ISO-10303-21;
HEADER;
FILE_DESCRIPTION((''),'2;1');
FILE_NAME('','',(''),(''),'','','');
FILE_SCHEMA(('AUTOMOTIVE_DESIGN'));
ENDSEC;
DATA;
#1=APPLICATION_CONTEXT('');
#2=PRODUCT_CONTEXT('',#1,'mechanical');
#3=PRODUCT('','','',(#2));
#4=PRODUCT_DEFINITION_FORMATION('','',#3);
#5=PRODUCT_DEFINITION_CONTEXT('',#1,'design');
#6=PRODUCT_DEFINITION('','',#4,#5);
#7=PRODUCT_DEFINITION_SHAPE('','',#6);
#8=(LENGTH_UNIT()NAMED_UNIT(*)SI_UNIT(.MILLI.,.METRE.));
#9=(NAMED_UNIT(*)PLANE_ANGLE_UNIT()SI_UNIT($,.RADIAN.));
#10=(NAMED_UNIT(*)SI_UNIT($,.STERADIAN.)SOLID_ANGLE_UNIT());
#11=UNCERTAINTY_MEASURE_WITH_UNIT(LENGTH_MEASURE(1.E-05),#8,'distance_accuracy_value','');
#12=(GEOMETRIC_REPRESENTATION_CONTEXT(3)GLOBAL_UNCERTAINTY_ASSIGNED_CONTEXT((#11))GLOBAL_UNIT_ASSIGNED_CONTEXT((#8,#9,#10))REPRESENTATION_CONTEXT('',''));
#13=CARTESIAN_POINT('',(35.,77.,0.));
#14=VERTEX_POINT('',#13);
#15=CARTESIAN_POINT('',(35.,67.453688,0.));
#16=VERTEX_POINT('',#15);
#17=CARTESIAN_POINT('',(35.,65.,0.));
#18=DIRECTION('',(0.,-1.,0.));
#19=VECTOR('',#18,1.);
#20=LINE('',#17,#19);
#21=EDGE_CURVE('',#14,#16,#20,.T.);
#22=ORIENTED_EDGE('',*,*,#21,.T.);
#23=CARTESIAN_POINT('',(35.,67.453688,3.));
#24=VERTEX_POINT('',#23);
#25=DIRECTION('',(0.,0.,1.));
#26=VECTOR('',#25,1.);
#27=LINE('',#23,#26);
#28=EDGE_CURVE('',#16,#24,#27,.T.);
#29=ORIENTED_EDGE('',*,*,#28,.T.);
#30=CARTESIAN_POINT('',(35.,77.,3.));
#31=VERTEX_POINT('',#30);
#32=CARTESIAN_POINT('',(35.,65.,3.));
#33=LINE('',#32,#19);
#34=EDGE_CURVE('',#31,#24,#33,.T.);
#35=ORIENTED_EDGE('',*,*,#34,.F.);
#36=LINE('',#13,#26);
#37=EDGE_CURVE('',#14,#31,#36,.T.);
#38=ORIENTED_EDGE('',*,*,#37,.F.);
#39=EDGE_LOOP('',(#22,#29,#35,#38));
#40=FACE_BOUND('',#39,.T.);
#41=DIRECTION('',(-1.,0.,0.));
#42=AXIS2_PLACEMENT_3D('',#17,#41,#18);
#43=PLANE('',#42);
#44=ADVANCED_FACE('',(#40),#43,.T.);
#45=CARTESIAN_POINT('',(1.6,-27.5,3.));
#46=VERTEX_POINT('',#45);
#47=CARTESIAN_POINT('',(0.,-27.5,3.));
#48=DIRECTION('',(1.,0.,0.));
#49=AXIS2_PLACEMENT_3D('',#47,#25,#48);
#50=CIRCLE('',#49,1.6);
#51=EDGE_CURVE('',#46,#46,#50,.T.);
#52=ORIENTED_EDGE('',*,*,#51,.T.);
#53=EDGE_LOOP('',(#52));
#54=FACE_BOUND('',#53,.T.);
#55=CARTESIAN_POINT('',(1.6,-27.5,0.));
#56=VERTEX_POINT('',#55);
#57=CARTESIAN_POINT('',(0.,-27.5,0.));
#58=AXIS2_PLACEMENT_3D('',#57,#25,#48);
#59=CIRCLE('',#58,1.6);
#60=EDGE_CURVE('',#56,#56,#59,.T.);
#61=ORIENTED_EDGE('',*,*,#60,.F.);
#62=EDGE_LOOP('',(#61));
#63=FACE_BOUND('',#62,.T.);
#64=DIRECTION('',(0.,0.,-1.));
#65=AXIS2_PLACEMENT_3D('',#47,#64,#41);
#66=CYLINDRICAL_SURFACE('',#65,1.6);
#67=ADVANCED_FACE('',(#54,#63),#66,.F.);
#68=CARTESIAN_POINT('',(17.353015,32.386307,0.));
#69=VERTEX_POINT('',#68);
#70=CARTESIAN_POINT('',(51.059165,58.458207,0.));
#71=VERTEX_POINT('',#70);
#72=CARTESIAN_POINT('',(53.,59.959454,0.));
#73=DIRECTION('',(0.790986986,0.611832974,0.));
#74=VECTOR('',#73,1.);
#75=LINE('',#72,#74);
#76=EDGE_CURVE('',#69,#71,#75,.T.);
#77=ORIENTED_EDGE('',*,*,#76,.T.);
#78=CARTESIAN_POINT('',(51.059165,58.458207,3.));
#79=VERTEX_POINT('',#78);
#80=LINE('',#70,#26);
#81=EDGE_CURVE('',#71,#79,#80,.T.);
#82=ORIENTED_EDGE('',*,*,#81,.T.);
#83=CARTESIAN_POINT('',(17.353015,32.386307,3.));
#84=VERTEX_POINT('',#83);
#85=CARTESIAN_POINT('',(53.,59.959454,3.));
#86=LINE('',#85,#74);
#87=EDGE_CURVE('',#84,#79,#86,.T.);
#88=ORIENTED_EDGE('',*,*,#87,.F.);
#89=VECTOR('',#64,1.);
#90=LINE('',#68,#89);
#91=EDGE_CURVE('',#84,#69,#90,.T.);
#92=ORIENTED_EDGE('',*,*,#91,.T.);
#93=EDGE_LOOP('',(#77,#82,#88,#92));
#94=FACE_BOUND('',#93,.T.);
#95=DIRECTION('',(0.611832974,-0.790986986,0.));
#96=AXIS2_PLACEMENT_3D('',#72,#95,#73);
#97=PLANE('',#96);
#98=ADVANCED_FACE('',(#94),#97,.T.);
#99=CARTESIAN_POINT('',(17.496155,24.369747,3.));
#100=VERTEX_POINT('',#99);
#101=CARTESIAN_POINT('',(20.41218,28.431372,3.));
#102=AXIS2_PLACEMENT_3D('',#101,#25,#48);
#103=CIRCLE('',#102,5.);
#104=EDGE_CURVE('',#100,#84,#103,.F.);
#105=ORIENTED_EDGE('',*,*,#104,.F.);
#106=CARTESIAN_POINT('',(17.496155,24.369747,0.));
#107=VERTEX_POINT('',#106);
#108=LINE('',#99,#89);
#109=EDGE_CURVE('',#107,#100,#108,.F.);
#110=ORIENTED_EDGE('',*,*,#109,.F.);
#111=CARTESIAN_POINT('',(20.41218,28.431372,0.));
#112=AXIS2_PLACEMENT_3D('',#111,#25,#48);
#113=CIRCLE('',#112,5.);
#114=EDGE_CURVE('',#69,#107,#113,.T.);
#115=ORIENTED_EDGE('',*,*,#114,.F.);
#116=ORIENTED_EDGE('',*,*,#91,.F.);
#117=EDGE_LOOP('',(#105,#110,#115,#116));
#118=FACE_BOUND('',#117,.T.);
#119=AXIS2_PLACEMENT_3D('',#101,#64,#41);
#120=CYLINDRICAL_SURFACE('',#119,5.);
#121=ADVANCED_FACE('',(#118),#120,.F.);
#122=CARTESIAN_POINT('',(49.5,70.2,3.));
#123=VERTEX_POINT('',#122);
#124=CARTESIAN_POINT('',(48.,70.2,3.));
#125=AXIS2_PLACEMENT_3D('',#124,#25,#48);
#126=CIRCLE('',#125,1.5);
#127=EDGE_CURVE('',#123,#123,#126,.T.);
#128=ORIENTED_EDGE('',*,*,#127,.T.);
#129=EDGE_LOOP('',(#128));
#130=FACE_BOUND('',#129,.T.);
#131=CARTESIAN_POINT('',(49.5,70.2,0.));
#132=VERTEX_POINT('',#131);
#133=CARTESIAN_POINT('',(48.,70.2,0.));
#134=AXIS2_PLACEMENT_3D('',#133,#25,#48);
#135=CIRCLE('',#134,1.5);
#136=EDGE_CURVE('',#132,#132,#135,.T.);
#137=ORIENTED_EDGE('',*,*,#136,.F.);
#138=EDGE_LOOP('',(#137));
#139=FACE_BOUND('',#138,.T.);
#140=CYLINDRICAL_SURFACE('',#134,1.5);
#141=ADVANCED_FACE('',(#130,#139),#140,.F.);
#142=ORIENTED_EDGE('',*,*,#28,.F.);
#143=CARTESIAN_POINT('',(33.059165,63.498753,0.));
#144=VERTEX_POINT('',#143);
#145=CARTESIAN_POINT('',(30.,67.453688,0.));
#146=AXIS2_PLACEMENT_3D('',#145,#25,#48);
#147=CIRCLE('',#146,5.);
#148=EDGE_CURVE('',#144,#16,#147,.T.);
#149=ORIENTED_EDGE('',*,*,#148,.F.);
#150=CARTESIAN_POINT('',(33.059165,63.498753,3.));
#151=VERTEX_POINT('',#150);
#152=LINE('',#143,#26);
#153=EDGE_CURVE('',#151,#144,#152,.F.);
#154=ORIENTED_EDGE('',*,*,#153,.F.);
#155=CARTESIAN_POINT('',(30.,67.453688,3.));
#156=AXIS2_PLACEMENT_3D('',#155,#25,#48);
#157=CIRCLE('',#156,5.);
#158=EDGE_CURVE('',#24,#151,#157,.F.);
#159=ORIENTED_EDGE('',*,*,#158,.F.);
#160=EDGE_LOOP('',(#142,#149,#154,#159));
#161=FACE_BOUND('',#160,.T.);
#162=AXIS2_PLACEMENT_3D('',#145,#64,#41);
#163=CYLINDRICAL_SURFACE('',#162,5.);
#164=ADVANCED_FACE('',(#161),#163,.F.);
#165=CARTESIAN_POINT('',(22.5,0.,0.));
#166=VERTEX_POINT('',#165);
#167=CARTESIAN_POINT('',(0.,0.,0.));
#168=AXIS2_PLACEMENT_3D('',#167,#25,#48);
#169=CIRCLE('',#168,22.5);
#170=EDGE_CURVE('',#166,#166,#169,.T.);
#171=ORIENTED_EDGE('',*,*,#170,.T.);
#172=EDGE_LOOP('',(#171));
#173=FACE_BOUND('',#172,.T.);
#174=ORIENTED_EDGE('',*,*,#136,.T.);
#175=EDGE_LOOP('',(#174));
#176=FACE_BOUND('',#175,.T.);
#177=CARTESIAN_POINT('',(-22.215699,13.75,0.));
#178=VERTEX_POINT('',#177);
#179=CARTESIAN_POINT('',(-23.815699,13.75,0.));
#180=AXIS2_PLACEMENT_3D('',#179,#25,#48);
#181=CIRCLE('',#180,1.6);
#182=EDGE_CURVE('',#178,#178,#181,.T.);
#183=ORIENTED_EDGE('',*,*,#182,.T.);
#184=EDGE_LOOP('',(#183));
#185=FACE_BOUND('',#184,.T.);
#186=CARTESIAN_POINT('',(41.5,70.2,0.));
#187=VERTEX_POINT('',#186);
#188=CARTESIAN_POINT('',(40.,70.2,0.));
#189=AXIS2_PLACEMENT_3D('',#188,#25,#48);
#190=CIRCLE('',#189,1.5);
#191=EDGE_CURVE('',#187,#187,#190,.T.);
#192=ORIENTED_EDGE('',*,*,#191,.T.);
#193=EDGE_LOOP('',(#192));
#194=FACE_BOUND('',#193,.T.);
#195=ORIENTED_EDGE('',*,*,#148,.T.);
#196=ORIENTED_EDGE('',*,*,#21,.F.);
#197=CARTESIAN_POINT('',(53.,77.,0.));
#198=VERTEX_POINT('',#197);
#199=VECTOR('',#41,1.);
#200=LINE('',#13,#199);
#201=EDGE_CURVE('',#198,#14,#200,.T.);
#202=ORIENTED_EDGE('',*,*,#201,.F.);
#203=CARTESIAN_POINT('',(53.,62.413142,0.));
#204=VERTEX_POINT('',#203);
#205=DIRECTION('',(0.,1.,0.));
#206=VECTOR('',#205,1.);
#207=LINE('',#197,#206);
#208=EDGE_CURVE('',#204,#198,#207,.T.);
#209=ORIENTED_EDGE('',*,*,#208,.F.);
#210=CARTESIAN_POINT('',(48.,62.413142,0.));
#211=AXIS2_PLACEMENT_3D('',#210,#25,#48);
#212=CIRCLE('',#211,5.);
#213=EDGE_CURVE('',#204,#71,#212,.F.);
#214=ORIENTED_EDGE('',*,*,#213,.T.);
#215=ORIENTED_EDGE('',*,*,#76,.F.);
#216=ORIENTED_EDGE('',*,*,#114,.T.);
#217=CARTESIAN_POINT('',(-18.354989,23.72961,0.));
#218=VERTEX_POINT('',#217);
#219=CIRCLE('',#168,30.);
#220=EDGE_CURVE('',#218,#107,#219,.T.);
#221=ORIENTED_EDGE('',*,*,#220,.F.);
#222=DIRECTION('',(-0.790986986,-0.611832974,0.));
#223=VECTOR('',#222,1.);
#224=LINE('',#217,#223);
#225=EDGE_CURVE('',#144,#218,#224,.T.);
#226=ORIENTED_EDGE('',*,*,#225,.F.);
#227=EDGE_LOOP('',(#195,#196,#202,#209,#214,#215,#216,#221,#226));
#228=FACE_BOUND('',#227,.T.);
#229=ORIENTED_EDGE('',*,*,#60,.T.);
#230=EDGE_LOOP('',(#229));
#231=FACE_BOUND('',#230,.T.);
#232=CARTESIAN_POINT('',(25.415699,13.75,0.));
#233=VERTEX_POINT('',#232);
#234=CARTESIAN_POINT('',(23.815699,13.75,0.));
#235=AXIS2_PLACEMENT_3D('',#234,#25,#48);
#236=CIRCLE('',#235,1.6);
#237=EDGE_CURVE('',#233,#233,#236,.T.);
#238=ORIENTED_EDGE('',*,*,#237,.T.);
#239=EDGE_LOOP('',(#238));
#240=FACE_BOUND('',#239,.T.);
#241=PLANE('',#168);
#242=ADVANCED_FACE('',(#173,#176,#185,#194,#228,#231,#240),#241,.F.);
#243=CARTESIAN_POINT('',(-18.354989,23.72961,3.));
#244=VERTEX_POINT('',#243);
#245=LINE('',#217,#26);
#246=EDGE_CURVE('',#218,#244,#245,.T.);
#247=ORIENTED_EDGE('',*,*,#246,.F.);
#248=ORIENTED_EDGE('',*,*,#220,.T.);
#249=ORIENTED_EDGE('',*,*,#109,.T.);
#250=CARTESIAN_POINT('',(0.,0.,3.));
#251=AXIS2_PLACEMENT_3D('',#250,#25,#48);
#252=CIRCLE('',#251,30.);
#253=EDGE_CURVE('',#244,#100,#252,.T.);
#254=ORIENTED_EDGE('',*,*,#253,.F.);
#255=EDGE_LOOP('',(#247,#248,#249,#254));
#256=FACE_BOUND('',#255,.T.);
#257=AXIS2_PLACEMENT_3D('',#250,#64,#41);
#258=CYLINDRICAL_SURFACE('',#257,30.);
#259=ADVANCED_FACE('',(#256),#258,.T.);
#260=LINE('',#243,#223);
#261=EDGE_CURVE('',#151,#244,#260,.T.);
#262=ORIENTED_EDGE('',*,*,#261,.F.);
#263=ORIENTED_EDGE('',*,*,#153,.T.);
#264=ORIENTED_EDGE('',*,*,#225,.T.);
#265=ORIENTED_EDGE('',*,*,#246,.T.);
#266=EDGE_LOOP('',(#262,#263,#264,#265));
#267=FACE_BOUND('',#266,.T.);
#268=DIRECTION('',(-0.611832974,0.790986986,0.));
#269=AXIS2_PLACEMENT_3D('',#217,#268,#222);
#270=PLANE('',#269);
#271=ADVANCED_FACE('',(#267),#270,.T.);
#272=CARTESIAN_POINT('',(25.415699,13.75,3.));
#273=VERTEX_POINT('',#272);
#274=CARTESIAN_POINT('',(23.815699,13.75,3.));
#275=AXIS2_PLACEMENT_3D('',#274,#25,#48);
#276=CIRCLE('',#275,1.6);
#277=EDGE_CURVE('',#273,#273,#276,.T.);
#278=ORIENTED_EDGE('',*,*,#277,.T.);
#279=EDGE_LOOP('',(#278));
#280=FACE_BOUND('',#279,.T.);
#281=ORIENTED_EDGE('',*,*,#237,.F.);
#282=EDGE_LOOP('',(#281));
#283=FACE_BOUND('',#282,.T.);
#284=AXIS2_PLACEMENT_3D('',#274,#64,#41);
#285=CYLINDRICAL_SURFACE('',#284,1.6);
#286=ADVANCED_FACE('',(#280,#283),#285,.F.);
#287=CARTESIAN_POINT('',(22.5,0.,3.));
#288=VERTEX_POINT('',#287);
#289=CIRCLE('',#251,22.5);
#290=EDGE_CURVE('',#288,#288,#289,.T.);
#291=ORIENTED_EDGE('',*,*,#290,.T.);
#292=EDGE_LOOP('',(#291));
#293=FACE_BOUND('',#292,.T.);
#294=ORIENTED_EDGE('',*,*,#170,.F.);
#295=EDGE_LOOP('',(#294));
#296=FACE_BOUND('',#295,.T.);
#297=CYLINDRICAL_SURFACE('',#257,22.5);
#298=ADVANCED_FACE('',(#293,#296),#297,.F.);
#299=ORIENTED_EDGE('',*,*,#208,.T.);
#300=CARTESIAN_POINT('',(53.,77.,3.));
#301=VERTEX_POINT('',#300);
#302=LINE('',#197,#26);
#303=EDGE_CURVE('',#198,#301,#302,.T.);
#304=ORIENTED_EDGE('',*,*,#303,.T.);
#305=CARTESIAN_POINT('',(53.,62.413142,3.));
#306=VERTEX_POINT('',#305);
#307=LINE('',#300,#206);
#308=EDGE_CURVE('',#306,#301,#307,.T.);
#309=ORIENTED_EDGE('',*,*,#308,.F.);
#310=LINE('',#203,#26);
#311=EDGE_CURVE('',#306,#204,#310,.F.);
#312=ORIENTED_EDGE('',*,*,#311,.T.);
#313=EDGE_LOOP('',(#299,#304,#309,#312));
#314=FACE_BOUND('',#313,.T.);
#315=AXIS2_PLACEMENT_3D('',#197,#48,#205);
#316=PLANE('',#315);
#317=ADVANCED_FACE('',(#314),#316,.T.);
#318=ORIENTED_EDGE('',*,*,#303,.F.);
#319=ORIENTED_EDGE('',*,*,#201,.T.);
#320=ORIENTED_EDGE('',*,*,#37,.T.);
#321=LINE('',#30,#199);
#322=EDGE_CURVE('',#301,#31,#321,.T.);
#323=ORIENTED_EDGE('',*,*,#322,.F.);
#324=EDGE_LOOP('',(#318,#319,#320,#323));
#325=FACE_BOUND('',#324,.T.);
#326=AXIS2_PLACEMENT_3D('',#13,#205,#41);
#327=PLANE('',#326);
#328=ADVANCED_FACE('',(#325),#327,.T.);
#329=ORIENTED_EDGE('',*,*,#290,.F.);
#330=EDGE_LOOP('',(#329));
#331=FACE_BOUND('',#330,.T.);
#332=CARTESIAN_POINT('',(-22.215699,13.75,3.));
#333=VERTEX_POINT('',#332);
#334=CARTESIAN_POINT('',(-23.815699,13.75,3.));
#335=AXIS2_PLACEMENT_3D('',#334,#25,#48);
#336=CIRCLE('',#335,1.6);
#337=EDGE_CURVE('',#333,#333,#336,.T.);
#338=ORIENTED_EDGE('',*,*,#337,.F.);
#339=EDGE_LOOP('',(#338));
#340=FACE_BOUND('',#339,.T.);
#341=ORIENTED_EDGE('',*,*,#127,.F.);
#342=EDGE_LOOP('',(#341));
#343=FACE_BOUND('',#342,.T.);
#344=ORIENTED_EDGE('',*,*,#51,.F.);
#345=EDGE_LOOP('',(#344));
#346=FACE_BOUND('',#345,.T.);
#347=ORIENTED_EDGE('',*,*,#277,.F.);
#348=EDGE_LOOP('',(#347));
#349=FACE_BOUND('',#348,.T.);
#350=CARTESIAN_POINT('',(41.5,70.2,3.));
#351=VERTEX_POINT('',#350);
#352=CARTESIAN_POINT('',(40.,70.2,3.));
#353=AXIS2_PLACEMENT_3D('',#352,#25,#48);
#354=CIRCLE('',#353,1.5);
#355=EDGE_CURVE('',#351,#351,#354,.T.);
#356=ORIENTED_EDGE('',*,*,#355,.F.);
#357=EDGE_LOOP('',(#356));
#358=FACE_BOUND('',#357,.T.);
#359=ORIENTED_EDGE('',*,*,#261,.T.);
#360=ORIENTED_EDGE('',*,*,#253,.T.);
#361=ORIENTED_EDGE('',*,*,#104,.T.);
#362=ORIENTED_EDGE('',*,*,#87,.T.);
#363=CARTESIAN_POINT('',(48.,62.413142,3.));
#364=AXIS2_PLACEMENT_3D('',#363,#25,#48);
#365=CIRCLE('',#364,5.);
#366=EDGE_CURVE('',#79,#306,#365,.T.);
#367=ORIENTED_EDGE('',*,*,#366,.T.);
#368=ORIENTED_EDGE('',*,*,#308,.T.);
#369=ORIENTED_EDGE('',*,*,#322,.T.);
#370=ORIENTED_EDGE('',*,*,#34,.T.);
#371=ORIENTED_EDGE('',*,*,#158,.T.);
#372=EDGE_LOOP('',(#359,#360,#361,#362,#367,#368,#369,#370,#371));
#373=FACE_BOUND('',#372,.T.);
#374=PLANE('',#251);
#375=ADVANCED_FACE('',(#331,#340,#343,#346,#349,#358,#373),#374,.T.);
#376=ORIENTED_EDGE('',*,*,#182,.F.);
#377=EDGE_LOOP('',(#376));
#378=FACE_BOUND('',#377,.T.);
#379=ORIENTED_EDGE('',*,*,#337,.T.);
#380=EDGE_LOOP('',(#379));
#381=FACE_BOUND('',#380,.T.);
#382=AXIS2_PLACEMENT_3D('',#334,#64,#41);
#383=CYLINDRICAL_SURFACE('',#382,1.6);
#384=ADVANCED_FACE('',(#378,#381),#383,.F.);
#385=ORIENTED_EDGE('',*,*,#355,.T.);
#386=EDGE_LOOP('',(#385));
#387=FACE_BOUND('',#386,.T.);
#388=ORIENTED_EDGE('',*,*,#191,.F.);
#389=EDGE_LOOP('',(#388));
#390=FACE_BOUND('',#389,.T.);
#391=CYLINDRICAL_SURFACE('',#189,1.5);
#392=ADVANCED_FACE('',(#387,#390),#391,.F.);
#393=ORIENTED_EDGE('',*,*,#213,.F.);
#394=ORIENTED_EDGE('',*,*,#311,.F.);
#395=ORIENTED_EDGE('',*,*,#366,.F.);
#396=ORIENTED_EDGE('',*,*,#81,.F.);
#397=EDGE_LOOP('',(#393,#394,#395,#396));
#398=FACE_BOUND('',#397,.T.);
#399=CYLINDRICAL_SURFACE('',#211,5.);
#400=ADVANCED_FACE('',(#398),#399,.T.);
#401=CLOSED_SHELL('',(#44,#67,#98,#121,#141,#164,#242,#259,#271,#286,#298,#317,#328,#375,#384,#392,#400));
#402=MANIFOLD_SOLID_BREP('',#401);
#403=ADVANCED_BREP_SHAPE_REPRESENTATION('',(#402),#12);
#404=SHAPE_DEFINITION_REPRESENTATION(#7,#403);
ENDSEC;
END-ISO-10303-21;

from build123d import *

# Parameters (mm, degrees)
SKETCH_1_R      = 30
SKETCH_1_R_2    = 22.5
SKETCH_1_R_3    = 1.6
EXTRUDE_1_DEPTH = 3
SKETCH_4_R      = 1.5
EXTRUDE_3_DEPTH = 3
FILLET_1_R      = 5
FILLET_2_R      = 5


with BuildPart() as part:
    # 草图1 → 凸台-拉伸1 (new body)
    with BuildSketch(Plane.XY):
        Circle(SKETCH_1_R)
        Circle(SKETCH_1_R_2, mode=Mode.SUBTRACT)
        with Locations((23.815698604, 13.75)):
            Circle(SKETCH_1_R_3, mode=Mode.SUBTRACT)
        with Locations((0, -27.5)):
            Circle(SKETCH_1_R_3, mode=Mode.SUBTRACT)
        with Locations((-23.815698604, 13.75)):
            Circle(SKETCH_1_R_3, mode=Mode.SUBTRACT)
    extrude(amount=EXTRUDE_1_DEPTH)

    # 草图4 → 凸台-拉伸3 (add)
    with BuildSketch(Plane.XY.offset(3)):
        with BuildLine():
            Line((-18.354989219, 23.729609579), (35, 65))
            Line((35, 65), (35, 77))
            Line((35, 77), (53, 77))
            Line((53, 77), (53, 59.959453772))
            Line((53, 59.959453772), (11.372950108, 27.760691739))
            Line((11.372950108, 27.760691739), (1.135189229, 26.37246046))
            ThreePointArc((1.135189229, 26.37246046), (-0.214991049, 29.085490097), (-0.793931536, 26.110873398))
            Line((-0.793931536, 26.110873398), (-18.354989219, 23.729609579))
        make_face()
        with Locations((40, 70.2)):
            Circle(SKETCH_4_R, mode=Mode.SUBTRACT)
        with Locations((48, 70.2)):
            Circle(SKETCH_4_R, mode=Mode.SUBTRACT)
    extrude(amount=-EXTRUDE_3_DEPTH)

    # 圆角1
    fillet_1_edges = [part.edges().sort_by_distance(p)[0] for p in [
        (11.372950108, 27.760691739, 1.5),
    ]]
    fillet(fillet_1_edges, radius=FILLET_1_R)

    # 圆角2
    fillet_2_edges = [part.edges().sort_by_distance(p)[0] for p in [
        (35, 65, 1.5),
        (53, 59.959453772, 1.5),
    ]]
    fillet(fillet_2_edges, radius=FILLET_2_R)


solid = part.part
